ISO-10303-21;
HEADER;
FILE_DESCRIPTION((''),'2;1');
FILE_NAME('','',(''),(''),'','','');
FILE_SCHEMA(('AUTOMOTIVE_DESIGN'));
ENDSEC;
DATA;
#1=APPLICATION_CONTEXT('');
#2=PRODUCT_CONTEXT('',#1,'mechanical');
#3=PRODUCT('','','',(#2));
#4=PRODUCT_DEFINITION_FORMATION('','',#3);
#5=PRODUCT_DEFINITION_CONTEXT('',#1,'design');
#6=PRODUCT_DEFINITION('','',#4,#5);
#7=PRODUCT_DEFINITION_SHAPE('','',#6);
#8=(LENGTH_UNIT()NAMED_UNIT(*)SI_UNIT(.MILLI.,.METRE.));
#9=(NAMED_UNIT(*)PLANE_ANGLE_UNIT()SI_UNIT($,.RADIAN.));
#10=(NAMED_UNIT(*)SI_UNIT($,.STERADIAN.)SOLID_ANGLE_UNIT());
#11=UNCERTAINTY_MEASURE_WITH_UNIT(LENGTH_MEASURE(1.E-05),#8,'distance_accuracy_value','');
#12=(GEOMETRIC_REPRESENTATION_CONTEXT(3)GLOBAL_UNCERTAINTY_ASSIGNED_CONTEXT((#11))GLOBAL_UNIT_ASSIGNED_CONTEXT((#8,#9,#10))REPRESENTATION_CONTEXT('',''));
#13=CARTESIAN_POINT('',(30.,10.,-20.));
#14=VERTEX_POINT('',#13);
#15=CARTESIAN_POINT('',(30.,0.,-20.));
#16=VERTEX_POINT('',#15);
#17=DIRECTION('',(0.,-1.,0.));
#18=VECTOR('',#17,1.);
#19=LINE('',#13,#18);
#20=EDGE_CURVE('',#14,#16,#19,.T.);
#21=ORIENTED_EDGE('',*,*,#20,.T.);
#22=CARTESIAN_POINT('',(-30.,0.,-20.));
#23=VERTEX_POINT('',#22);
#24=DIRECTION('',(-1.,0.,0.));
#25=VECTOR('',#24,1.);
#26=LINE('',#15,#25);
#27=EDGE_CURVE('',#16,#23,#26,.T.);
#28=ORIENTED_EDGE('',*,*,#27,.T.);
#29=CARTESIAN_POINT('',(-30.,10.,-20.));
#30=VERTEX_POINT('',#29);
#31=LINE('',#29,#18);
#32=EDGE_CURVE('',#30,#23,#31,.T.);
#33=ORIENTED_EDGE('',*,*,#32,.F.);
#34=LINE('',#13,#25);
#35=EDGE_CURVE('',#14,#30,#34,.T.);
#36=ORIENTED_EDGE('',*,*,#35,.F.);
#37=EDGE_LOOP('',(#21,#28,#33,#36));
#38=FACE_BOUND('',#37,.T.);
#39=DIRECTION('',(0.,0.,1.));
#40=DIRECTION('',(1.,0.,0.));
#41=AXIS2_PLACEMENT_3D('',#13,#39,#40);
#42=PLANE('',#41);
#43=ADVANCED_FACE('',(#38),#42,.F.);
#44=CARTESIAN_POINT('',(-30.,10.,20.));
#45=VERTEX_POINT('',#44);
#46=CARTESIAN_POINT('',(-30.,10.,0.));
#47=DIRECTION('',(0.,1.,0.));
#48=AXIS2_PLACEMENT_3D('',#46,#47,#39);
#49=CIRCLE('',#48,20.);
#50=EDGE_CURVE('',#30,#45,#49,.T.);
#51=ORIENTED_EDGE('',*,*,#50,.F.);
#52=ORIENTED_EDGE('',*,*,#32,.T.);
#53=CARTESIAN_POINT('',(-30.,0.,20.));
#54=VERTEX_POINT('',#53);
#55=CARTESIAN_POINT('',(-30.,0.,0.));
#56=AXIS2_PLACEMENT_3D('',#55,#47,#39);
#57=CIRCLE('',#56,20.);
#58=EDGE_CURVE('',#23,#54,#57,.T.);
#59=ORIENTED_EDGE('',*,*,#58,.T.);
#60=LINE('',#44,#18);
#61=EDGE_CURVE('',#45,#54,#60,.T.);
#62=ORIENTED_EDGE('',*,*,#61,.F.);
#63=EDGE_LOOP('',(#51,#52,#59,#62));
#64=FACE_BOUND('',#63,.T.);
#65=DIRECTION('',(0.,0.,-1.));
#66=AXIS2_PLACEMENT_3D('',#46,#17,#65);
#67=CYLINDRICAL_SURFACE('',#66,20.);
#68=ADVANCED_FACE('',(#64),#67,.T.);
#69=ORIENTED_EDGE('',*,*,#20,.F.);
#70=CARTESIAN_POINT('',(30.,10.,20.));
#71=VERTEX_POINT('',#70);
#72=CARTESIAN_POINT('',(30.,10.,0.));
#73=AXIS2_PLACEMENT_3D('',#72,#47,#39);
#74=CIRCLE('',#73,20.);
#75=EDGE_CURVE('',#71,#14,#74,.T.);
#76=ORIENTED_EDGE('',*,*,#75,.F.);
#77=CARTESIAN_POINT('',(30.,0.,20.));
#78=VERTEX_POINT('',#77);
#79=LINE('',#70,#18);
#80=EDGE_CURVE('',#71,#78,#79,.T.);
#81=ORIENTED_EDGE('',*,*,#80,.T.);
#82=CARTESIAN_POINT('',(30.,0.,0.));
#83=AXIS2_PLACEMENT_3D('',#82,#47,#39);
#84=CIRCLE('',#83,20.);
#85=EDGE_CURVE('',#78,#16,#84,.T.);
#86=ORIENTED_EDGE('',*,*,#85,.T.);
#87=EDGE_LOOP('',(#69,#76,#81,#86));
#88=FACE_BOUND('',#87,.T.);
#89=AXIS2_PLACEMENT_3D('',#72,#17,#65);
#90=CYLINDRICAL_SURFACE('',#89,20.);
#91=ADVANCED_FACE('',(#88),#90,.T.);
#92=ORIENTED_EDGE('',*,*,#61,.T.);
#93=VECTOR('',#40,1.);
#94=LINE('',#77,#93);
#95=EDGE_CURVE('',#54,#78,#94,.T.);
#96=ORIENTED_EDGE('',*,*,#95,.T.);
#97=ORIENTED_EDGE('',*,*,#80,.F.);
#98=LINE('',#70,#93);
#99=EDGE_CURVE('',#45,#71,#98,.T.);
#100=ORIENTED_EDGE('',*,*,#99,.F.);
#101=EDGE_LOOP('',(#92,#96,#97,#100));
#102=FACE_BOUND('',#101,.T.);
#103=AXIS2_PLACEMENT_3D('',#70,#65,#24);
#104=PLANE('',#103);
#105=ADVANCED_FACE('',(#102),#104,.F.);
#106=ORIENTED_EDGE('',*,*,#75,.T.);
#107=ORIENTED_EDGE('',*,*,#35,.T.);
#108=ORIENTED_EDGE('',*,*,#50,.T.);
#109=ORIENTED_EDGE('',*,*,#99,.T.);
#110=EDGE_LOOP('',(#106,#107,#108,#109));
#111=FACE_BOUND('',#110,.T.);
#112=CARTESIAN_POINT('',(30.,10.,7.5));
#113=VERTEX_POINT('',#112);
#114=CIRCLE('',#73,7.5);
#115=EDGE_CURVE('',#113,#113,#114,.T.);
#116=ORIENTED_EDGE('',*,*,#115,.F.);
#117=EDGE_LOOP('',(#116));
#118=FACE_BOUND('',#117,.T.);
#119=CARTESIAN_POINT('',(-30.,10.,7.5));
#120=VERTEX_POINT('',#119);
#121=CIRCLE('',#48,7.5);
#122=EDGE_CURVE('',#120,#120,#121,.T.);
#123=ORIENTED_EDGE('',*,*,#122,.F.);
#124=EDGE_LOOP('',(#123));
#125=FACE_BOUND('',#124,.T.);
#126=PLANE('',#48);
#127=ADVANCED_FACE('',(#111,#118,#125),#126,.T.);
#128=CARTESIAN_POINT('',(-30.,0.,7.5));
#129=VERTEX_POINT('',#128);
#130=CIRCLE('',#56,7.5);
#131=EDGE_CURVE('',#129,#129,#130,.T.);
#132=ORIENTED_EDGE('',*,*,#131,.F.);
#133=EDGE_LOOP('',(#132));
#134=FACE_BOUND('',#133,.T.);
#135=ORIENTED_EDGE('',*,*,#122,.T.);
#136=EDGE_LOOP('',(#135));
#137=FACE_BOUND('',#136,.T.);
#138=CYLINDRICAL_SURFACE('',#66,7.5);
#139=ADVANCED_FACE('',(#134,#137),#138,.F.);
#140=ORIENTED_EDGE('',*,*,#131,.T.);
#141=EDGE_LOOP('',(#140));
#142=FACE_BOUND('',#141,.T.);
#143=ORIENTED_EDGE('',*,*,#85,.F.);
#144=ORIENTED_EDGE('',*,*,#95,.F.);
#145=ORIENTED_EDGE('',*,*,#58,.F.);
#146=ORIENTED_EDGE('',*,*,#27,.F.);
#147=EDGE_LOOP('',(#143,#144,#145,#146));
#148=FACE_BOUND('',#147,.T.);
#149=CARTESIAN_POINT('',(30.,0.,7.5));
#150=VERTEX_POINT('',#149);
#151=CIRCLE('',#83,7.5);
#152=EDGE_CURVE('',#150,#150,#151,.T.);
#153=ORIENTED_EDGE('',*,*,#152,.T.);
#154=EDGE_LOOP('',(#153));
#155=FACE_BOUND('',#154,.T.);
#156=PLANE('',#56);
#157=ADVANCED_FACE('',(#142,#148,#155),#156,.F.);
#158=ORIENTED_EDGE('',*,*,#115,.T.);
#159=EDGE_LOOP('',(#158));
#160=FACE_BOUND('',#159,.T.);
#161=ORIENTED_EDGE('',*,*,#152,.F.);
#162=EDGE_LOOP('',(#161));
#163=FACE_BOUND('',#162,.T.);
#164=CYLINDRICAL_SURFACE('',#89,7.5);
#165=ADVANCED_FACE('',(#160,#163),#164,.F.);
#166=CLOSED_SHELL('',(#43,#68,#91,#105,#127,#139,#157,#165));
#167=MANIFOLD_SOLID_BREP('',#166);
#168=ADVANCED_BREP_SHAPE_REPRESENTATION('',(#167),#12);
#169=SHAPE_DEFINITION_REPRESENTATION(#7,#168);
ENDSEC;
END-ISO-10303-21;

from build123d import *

# Parameters (mm, degrees)
SKETCH1_R           = 7.5
BOSS_EXTRUDE1_DEPTH = 10


with BuildPart() as part:
    # Sketch1 → Boss-Extrude1 (new body)
    with BuildSketch(Plane(origin=(0, 0, 0), x_dir=(1, 0, 0), z_dir=(0, 1, 0))):
        with BuildLine():
            Line((30, -20), (-30, -20))
            ThreePointArc((-30, -20), (-50, 0), (-30, 20))
            Line((-30, 20), (30, 20))
            ThreePointArc((30, 20), (50, 0), (30, -20))
        make_face()
        with Locations(Location((-30, 0, 0), (0, 0, 270))):
            Circle(SKETCH1_R, mode=Mode.SUBTRACT)
        with Locations(Location((30, 0, 0), (0, 0, 270))):
            Circle(SKETCH1_R, mode=Mode.SUBTRACT)
    extrude(amount=BOSS_EXTRUDE1_DEPTH)


solid = part.part
